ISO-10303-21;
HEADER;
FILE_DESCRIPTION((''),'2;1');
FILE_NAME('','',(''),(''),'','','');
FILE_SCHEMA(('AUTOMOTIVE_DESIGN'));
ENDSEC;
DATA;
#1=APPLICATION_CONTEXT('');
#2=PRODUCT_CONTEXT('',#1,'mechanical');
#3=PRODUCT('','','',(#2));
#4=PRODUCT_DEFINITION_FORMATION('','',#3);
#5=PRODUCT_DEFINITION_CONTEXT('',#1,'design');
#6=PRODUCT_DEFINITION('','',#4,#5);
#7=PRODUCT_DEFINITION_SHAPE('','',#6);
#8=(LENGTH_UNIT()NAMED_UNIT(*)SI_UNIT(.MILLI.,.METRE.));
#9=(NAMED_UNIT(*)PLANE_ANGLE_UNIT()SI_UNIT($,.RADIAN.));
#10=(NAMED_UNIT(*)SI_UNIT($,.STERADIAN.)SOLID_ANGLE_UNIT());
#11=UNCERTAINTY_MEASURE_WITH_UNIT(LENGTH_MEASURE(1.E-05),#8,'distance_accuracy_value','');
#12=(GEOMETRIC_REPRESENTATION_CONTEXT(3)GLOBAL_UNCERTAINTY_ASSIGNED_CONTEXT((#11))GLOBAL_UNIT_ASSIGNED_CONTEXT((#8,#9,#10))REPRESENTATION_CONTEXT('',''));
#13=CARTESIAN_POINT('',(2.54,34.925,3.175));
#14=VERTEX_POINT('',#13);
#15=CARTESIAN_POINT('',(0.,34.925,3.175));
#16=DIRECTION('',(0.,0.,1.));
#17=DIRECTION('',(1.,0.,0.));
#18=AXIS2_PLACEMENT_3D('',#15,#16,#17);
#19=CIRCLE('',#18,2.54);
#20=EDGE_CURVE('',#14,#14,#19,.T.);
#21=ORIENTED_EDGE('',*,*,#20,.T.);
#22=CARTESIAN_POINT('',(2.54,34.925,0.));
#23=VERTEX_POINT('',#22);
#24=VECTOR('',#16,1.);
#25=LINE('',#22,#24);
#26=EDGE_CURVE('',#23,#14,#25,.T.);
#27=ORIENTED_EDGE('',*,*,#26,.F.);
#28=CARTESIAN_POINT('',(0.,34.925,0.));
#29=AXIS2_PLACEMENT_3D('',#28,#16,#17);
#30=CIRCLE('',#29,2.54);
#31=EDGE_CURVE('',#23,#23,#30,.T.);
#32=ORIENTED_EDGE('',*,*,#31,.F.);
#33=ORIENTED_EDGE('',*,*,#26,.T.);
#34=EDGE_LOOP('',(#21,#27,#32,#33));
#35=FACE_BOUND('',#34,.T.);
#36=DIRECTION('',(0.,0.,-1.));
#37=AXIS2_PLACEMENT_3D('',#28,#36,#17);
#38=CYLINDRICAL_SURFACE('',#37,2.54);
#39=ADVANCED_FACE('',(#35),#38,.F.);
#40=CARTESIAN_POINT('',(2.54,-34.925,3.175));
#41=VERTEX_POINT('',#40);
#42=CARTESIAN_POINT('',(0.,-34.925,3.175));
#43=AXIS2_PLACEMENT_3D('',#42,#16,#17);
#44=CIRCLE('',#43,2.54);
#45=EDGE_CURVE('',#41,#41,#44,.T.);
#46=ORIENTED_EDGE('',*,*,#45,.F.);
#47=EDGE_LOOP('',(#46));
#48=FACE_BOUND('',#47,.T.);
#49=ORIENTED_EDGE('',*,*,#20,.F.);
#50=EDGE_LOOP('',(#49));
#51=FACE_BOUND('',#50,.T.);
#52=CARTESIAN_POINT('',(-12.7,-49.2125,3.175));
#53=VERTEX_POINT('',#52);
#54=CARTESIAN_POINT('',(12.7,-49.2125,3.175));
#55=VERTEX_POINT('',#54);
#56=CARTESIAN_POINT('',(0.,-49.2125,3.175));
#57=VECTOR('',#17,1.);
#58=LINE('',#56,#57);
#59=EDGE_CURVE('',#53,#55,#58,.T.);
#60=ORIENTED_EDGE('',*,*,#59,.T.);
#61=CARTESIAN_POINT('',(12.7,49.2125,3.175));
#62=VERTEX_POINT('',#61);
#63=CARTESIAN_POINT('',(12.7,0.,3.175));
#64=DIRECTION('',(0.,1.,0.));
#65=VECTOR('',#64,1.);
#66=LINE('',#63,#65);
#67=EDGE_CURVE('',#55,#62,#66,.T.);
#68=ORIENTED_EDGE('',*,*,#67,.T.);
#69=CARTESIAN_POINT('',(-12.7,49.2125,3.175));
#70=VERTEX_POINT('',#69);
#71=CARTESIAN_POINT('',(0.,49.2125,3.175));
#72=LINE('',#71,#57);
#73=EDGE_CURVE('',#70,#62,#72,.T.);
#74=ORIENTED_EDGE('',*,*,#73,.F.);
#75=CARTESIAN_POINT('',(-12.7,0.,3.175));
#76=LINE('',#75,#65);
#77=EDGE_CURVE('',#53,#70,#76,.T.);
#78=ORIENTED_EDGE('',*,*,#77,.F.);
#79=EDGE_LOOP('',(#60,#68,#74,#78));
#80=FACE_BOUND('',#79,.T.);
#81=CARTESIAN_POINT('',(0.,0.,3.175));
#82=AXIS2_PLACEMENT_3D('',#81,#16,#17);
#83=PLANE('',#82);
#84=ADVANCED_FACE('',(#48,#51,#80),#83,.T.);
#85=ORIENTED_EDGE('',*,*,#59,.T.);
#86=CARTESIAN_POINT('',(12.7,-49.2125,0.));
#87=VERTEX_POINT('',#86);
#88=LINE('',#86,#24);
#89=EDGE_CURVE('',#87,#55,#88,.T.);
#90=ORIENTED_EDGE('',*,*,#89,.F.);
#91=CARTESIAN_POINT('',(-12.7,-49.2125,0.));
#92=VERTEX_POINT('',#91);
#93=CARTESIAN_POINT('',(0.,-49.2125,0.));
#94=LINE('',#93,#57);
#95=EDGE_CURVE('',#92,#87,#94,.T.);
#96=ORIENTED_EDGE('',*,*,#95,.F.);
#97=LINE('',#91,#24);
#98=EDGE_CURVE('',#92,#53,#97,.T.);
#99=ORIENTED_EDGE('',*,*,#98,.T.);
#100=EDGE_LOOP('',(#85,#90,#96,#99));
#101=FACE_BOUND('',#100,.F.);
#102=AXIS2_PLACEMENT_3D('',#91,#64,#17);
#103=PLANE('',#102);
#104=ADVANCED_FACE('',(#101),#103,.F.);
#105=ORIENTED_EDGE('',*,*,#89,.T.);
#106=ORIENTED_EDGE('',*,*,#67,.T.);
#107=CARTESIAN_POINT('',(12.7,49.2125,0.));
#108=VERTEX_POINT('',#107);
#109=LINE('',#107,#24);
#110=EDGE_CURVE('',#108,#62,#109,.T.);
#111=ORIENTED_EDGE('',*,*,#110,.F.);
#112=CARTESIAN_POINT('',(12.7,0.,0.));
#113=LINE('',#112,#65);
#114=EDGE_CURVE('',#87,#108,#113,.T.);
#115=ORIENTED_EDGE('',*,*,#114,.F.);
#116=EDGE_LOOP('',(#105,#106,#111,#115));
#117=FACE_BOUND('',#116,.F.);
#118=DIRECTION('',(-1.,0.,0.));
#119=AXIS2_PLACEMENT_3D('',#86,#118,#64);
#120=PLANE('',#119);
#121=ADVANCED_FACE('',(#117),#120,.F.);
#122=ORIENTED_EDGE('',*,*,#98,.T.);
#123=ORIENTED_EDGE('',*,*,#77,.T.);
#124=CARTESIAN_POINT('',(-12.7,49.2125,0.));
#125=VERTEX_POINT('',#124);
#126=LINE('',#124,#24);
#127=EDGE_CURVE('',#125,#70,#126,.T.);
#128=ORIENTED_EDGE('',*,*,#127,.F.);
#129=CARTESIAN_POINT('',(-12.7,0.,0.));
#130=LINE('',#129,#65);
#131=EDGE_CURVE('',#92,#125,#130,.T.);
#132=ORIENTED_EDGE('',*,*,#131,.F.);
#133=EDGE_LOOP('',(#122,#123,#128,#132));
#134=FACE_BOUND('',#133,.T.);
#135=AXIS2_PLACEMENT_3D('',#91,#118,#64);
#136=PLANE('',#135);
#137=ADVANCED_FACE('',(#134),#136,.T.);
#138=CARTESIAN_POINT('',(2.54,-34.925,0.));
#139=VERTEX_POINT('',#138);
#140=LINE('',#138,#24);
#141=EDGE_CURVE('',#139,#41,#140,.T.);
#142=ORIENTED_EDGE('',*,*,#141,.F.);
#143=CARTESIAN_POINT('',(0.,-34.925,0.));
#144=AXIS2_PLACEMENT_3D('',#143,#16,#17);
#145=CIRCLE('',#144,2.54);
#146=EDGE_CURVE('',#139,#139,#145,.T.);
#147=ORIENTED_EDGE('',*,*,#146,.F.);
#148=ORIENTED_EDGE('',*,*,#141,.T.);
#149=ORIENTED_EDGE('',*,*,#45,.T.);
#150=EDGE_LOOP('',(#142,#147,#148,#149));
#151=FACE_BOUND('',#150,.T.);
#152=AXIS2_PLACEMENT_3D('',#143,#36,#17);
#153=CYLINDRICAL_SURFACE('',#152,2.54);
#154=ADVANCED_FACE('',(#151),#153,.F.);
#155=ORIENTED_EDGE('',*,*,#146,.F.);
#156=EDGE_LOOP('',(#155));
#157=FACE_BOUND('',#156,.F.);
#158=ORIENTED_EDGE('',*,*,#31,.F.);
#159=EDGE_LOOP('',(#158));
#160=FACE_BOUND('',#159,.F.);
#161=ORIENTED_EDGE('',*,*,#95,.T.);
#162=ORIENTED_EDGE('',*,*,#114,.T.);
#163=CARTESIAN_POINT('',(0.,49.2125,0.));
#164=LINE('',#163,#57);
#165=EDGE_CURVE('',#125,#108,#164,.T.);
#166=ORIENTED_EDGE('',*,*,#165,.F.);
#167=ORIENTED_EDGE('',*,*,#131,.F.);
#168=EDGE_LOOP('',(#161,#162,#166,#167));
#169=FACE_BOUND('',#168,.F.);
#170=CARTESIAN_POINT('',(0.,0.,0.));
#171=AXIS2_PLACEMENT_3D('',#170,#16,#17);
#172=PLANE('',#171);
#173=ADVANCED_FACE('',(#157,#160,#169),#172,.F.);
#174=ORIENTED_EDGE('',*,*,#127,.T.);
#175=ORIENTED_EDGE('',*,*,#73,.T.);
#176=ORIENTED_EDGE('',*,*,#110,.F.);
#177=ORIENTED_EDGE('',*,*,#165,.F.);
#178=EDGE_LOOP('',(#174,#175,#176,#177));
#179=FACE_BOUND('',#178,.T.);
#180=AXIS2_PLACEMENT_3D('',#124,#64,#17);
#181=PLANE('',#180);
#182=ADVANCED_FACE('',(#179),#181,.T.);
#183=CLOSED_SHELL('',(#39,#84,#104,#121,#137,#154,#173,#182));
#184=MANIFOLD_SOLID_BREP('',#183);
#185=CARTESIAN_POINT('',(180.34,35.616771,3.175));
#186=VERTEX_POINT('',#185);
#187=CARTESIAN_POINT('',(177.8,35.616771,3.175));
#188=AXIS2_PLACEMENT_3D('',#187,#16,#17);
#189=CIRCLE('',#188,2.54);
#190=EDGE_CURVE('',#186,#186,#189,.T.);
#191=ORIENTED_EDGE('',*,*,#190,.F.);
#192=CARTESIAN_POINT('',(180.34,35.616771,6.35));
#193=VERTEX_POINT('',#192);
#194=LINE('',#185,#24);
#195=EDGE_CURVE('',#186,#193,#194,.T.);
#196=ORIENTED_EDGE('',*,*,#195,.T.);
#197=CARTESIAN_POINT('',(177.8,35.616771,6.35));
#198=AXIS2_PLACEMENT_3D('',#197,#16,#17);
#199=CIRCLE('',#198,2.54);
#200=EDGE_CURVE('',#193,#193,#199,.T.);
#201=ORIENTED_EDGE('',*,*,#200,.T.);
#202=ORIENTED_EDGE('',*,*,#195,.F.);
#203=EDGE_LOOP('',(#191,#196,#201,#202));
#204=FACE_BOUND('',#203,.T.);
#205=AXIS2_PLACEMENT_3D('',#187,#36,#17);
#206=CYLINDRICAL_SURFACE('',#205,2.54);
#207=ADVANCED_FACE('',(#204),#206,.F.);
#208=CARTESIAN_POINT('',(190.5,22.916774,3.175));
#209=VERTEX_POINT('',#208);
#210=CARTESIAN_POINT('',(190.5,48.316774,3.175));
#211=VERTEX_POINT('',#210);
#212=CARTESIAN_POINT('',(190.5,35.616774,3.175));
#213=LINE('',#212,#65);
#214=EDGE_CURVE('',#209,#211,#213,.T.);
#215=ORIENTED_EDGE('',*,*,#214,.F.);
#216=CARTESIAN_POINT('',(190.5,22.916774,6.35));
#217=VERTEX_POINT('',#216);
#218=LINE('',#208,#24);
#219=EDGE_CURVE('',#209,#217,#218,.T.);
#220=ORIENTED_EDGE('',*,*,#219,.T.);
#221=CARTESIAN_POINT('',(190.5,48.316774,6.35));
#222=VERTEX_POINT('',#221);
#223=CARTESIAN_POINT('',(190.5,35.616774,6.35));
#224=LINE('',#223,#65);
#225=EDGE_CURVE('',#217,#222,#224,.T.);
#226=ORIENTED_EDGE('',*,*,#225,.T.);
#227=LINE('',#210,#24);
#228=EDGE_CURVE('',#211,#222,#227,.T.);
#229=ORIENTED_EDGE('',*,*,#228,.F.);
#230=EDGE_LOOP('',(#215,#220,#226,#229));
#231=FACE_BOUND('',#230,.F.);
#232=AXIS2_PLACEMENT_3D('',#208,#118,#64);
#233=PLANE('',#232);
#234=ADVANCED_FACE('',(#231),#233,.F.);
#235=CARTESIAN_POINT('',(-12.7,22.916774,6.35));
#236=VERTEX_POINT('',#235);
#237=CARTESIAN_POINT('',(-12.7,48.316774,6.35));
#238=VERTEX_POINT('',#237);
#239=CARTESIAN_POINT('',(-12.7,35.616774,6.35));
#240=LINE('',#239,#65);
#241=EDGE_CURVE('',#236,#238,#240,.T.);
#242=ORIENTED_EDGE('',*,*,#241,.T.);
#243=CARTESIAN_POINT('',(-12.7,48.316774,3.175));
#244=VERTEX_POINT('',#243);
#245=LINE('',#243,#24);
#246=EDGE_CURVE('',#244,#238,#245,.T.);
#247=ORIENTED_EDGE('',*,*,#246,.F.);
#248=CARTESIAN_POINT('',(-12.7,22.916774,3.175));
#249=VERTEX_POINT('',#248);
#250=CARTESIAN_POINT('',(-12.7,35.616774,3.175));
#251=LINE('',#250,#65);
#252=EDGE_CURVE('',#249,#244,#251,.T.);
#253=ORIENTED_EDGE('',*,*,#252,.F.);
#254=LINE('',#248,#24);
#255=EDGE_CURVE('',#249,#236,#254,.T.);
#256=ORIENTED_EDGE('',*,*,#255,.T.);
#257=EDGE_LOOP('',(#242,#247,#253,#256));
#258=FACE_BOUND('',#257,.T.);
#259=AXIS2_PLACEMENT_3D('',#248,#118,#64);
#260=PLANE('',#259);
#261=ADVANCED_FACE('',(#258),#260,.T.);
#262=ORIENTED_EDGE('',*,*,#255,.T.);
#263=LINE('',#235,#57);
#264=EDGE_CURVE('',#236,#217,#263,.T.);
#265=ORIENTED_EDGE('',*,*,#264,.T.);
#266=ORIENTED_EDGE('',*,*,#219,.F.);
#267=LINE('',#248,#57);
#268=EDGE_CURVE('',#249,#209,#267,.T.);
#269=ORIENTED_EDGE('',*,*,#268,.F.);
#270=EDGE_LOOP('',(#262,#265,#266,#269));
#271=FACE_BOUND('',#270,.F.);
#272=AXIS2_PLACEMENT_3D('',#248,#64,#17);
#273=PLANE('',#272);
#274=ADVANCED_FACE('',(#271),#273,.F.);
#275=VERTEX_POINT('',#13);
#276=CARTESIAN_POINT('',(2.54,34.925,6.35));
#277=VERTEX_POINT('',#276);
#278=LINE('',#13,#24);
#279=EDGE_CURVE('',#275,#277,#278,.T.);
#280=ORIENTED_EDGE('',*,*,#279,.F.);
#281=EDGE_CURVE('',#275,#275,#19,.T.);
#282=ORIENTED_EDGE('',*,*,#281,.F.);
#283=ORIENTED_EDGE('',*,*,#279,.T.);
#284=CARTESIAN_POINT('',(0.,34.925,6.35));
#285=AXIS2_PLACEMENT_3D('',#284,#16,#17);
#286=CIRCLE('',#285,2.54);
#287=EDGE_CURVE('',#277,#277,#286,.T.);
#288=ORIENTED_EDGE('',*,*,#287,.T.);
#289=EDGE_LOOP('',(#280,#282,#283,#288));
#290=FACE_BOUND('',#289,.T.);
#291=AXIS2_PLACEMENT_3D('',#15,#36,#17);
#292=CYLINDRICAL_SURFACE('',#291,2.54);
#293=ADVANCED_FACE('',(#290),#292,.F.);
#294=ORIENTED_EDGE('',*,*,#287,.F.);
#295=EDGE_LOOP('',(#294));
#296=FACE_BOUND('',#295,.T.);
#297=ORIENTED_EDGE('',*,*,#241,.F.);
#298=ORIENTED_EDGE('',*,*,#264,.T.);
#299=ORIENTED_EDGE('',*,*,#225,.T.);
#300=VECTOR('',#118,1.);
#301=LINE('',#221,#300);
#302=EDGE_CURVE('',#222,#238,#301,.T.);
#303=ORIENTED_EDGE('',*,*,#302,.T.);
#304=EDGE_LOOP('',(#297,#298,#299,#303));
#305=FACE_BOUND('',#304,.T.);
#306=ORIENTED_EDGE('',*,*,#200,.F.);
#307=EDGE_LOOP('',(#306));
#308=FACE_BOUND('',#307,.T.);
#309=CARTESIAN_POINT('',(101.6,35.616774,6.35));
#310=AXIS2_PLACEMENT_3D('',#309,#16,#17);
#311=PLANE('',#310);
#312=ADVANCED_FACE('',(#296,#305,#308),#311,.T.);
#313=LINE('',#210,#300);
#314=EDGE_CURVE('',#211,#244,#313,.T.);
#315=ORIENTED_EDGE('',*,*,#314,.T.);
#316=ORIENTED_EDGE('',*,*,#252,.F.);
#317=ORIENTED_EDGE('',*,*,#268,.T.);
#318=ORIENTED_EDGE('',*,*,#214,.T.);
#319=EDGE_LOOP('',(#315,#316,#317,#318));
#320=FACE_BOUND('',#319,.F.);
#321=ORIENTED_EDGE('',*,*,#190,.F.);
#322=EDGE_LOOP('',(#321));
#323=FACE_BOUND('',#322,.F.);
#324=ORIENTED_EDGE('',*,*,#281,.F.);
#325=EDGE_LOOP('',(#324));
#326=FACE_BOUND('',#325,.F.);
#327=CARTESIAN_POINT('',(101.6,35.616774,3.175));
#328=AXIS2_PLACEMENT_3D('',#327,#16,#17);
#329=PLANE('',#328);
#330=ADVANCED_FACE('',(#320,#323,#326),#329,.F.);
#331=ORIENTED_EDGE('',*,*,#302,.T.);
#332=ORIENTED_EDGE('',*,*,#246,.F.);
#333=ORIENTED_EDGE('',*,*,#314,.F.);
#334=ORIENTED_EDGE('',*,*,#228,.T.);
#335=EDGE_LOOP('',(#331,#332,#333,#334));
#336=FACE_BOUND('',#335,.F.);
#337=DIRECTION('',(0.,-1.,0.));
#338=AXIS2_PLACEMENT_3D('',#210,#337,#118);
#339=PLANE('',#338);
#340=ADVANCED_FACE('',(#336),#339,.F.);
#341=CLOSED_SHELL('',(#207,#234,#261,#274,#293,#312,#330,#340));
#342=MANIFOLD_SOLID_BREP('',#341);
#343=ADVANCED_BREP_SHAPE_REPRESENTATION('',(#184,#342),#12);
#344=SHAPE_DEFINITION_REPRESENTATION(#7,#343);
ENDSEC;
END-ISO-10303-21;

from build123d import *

# Parameters (mm, degrees)
F0_W     = 25.4
F0_H     = 98.425
F0_R     = 2.54
F1_DEPTH = 3.175
F2_W     = 177.8
F2_H     = 25.4
F2_R     = 2.54
F2_W_2   = 25.4
F3_DEPTH = 3.175


with BuildPart() as f1:
    # F0 (on Top) → F1 (new body)
    with BuildSketch(Plane.XY):
        Rectangle(F0_W, F0_H)
        with Locations((0, -34.925)):
            Circle(F0_R, mode=Mode.SUBTRACT)
        with Locations((0, 34.925)):
            Circle(F0_R, mode=Mode.SUBTRACT)
    extrude(amount=F1_DEPTH)


with BuildPart() as f3:
    # F2 (on face) → F3 (new body)
    with BuildSketch(Plane.XY.offset(3.175)):
        with Locations((101.6, 35.616774)):
            Rectangle(F2_W, F2_H)
        with Locations((177.8, 35.616771)):
            Circle(F2_R, mode=Mode.SUBTRACT)
        with Locations((0, 35.616774)):
            Rectangle(F2_W_2, F2_H)
        with Locations((0, 34.925)):
            Circle(F2_R, mode=Mode.SUBTRACT)
    extrude(amount=F3_DEPTH)


solid = Compound([f1.part, f3.part])
